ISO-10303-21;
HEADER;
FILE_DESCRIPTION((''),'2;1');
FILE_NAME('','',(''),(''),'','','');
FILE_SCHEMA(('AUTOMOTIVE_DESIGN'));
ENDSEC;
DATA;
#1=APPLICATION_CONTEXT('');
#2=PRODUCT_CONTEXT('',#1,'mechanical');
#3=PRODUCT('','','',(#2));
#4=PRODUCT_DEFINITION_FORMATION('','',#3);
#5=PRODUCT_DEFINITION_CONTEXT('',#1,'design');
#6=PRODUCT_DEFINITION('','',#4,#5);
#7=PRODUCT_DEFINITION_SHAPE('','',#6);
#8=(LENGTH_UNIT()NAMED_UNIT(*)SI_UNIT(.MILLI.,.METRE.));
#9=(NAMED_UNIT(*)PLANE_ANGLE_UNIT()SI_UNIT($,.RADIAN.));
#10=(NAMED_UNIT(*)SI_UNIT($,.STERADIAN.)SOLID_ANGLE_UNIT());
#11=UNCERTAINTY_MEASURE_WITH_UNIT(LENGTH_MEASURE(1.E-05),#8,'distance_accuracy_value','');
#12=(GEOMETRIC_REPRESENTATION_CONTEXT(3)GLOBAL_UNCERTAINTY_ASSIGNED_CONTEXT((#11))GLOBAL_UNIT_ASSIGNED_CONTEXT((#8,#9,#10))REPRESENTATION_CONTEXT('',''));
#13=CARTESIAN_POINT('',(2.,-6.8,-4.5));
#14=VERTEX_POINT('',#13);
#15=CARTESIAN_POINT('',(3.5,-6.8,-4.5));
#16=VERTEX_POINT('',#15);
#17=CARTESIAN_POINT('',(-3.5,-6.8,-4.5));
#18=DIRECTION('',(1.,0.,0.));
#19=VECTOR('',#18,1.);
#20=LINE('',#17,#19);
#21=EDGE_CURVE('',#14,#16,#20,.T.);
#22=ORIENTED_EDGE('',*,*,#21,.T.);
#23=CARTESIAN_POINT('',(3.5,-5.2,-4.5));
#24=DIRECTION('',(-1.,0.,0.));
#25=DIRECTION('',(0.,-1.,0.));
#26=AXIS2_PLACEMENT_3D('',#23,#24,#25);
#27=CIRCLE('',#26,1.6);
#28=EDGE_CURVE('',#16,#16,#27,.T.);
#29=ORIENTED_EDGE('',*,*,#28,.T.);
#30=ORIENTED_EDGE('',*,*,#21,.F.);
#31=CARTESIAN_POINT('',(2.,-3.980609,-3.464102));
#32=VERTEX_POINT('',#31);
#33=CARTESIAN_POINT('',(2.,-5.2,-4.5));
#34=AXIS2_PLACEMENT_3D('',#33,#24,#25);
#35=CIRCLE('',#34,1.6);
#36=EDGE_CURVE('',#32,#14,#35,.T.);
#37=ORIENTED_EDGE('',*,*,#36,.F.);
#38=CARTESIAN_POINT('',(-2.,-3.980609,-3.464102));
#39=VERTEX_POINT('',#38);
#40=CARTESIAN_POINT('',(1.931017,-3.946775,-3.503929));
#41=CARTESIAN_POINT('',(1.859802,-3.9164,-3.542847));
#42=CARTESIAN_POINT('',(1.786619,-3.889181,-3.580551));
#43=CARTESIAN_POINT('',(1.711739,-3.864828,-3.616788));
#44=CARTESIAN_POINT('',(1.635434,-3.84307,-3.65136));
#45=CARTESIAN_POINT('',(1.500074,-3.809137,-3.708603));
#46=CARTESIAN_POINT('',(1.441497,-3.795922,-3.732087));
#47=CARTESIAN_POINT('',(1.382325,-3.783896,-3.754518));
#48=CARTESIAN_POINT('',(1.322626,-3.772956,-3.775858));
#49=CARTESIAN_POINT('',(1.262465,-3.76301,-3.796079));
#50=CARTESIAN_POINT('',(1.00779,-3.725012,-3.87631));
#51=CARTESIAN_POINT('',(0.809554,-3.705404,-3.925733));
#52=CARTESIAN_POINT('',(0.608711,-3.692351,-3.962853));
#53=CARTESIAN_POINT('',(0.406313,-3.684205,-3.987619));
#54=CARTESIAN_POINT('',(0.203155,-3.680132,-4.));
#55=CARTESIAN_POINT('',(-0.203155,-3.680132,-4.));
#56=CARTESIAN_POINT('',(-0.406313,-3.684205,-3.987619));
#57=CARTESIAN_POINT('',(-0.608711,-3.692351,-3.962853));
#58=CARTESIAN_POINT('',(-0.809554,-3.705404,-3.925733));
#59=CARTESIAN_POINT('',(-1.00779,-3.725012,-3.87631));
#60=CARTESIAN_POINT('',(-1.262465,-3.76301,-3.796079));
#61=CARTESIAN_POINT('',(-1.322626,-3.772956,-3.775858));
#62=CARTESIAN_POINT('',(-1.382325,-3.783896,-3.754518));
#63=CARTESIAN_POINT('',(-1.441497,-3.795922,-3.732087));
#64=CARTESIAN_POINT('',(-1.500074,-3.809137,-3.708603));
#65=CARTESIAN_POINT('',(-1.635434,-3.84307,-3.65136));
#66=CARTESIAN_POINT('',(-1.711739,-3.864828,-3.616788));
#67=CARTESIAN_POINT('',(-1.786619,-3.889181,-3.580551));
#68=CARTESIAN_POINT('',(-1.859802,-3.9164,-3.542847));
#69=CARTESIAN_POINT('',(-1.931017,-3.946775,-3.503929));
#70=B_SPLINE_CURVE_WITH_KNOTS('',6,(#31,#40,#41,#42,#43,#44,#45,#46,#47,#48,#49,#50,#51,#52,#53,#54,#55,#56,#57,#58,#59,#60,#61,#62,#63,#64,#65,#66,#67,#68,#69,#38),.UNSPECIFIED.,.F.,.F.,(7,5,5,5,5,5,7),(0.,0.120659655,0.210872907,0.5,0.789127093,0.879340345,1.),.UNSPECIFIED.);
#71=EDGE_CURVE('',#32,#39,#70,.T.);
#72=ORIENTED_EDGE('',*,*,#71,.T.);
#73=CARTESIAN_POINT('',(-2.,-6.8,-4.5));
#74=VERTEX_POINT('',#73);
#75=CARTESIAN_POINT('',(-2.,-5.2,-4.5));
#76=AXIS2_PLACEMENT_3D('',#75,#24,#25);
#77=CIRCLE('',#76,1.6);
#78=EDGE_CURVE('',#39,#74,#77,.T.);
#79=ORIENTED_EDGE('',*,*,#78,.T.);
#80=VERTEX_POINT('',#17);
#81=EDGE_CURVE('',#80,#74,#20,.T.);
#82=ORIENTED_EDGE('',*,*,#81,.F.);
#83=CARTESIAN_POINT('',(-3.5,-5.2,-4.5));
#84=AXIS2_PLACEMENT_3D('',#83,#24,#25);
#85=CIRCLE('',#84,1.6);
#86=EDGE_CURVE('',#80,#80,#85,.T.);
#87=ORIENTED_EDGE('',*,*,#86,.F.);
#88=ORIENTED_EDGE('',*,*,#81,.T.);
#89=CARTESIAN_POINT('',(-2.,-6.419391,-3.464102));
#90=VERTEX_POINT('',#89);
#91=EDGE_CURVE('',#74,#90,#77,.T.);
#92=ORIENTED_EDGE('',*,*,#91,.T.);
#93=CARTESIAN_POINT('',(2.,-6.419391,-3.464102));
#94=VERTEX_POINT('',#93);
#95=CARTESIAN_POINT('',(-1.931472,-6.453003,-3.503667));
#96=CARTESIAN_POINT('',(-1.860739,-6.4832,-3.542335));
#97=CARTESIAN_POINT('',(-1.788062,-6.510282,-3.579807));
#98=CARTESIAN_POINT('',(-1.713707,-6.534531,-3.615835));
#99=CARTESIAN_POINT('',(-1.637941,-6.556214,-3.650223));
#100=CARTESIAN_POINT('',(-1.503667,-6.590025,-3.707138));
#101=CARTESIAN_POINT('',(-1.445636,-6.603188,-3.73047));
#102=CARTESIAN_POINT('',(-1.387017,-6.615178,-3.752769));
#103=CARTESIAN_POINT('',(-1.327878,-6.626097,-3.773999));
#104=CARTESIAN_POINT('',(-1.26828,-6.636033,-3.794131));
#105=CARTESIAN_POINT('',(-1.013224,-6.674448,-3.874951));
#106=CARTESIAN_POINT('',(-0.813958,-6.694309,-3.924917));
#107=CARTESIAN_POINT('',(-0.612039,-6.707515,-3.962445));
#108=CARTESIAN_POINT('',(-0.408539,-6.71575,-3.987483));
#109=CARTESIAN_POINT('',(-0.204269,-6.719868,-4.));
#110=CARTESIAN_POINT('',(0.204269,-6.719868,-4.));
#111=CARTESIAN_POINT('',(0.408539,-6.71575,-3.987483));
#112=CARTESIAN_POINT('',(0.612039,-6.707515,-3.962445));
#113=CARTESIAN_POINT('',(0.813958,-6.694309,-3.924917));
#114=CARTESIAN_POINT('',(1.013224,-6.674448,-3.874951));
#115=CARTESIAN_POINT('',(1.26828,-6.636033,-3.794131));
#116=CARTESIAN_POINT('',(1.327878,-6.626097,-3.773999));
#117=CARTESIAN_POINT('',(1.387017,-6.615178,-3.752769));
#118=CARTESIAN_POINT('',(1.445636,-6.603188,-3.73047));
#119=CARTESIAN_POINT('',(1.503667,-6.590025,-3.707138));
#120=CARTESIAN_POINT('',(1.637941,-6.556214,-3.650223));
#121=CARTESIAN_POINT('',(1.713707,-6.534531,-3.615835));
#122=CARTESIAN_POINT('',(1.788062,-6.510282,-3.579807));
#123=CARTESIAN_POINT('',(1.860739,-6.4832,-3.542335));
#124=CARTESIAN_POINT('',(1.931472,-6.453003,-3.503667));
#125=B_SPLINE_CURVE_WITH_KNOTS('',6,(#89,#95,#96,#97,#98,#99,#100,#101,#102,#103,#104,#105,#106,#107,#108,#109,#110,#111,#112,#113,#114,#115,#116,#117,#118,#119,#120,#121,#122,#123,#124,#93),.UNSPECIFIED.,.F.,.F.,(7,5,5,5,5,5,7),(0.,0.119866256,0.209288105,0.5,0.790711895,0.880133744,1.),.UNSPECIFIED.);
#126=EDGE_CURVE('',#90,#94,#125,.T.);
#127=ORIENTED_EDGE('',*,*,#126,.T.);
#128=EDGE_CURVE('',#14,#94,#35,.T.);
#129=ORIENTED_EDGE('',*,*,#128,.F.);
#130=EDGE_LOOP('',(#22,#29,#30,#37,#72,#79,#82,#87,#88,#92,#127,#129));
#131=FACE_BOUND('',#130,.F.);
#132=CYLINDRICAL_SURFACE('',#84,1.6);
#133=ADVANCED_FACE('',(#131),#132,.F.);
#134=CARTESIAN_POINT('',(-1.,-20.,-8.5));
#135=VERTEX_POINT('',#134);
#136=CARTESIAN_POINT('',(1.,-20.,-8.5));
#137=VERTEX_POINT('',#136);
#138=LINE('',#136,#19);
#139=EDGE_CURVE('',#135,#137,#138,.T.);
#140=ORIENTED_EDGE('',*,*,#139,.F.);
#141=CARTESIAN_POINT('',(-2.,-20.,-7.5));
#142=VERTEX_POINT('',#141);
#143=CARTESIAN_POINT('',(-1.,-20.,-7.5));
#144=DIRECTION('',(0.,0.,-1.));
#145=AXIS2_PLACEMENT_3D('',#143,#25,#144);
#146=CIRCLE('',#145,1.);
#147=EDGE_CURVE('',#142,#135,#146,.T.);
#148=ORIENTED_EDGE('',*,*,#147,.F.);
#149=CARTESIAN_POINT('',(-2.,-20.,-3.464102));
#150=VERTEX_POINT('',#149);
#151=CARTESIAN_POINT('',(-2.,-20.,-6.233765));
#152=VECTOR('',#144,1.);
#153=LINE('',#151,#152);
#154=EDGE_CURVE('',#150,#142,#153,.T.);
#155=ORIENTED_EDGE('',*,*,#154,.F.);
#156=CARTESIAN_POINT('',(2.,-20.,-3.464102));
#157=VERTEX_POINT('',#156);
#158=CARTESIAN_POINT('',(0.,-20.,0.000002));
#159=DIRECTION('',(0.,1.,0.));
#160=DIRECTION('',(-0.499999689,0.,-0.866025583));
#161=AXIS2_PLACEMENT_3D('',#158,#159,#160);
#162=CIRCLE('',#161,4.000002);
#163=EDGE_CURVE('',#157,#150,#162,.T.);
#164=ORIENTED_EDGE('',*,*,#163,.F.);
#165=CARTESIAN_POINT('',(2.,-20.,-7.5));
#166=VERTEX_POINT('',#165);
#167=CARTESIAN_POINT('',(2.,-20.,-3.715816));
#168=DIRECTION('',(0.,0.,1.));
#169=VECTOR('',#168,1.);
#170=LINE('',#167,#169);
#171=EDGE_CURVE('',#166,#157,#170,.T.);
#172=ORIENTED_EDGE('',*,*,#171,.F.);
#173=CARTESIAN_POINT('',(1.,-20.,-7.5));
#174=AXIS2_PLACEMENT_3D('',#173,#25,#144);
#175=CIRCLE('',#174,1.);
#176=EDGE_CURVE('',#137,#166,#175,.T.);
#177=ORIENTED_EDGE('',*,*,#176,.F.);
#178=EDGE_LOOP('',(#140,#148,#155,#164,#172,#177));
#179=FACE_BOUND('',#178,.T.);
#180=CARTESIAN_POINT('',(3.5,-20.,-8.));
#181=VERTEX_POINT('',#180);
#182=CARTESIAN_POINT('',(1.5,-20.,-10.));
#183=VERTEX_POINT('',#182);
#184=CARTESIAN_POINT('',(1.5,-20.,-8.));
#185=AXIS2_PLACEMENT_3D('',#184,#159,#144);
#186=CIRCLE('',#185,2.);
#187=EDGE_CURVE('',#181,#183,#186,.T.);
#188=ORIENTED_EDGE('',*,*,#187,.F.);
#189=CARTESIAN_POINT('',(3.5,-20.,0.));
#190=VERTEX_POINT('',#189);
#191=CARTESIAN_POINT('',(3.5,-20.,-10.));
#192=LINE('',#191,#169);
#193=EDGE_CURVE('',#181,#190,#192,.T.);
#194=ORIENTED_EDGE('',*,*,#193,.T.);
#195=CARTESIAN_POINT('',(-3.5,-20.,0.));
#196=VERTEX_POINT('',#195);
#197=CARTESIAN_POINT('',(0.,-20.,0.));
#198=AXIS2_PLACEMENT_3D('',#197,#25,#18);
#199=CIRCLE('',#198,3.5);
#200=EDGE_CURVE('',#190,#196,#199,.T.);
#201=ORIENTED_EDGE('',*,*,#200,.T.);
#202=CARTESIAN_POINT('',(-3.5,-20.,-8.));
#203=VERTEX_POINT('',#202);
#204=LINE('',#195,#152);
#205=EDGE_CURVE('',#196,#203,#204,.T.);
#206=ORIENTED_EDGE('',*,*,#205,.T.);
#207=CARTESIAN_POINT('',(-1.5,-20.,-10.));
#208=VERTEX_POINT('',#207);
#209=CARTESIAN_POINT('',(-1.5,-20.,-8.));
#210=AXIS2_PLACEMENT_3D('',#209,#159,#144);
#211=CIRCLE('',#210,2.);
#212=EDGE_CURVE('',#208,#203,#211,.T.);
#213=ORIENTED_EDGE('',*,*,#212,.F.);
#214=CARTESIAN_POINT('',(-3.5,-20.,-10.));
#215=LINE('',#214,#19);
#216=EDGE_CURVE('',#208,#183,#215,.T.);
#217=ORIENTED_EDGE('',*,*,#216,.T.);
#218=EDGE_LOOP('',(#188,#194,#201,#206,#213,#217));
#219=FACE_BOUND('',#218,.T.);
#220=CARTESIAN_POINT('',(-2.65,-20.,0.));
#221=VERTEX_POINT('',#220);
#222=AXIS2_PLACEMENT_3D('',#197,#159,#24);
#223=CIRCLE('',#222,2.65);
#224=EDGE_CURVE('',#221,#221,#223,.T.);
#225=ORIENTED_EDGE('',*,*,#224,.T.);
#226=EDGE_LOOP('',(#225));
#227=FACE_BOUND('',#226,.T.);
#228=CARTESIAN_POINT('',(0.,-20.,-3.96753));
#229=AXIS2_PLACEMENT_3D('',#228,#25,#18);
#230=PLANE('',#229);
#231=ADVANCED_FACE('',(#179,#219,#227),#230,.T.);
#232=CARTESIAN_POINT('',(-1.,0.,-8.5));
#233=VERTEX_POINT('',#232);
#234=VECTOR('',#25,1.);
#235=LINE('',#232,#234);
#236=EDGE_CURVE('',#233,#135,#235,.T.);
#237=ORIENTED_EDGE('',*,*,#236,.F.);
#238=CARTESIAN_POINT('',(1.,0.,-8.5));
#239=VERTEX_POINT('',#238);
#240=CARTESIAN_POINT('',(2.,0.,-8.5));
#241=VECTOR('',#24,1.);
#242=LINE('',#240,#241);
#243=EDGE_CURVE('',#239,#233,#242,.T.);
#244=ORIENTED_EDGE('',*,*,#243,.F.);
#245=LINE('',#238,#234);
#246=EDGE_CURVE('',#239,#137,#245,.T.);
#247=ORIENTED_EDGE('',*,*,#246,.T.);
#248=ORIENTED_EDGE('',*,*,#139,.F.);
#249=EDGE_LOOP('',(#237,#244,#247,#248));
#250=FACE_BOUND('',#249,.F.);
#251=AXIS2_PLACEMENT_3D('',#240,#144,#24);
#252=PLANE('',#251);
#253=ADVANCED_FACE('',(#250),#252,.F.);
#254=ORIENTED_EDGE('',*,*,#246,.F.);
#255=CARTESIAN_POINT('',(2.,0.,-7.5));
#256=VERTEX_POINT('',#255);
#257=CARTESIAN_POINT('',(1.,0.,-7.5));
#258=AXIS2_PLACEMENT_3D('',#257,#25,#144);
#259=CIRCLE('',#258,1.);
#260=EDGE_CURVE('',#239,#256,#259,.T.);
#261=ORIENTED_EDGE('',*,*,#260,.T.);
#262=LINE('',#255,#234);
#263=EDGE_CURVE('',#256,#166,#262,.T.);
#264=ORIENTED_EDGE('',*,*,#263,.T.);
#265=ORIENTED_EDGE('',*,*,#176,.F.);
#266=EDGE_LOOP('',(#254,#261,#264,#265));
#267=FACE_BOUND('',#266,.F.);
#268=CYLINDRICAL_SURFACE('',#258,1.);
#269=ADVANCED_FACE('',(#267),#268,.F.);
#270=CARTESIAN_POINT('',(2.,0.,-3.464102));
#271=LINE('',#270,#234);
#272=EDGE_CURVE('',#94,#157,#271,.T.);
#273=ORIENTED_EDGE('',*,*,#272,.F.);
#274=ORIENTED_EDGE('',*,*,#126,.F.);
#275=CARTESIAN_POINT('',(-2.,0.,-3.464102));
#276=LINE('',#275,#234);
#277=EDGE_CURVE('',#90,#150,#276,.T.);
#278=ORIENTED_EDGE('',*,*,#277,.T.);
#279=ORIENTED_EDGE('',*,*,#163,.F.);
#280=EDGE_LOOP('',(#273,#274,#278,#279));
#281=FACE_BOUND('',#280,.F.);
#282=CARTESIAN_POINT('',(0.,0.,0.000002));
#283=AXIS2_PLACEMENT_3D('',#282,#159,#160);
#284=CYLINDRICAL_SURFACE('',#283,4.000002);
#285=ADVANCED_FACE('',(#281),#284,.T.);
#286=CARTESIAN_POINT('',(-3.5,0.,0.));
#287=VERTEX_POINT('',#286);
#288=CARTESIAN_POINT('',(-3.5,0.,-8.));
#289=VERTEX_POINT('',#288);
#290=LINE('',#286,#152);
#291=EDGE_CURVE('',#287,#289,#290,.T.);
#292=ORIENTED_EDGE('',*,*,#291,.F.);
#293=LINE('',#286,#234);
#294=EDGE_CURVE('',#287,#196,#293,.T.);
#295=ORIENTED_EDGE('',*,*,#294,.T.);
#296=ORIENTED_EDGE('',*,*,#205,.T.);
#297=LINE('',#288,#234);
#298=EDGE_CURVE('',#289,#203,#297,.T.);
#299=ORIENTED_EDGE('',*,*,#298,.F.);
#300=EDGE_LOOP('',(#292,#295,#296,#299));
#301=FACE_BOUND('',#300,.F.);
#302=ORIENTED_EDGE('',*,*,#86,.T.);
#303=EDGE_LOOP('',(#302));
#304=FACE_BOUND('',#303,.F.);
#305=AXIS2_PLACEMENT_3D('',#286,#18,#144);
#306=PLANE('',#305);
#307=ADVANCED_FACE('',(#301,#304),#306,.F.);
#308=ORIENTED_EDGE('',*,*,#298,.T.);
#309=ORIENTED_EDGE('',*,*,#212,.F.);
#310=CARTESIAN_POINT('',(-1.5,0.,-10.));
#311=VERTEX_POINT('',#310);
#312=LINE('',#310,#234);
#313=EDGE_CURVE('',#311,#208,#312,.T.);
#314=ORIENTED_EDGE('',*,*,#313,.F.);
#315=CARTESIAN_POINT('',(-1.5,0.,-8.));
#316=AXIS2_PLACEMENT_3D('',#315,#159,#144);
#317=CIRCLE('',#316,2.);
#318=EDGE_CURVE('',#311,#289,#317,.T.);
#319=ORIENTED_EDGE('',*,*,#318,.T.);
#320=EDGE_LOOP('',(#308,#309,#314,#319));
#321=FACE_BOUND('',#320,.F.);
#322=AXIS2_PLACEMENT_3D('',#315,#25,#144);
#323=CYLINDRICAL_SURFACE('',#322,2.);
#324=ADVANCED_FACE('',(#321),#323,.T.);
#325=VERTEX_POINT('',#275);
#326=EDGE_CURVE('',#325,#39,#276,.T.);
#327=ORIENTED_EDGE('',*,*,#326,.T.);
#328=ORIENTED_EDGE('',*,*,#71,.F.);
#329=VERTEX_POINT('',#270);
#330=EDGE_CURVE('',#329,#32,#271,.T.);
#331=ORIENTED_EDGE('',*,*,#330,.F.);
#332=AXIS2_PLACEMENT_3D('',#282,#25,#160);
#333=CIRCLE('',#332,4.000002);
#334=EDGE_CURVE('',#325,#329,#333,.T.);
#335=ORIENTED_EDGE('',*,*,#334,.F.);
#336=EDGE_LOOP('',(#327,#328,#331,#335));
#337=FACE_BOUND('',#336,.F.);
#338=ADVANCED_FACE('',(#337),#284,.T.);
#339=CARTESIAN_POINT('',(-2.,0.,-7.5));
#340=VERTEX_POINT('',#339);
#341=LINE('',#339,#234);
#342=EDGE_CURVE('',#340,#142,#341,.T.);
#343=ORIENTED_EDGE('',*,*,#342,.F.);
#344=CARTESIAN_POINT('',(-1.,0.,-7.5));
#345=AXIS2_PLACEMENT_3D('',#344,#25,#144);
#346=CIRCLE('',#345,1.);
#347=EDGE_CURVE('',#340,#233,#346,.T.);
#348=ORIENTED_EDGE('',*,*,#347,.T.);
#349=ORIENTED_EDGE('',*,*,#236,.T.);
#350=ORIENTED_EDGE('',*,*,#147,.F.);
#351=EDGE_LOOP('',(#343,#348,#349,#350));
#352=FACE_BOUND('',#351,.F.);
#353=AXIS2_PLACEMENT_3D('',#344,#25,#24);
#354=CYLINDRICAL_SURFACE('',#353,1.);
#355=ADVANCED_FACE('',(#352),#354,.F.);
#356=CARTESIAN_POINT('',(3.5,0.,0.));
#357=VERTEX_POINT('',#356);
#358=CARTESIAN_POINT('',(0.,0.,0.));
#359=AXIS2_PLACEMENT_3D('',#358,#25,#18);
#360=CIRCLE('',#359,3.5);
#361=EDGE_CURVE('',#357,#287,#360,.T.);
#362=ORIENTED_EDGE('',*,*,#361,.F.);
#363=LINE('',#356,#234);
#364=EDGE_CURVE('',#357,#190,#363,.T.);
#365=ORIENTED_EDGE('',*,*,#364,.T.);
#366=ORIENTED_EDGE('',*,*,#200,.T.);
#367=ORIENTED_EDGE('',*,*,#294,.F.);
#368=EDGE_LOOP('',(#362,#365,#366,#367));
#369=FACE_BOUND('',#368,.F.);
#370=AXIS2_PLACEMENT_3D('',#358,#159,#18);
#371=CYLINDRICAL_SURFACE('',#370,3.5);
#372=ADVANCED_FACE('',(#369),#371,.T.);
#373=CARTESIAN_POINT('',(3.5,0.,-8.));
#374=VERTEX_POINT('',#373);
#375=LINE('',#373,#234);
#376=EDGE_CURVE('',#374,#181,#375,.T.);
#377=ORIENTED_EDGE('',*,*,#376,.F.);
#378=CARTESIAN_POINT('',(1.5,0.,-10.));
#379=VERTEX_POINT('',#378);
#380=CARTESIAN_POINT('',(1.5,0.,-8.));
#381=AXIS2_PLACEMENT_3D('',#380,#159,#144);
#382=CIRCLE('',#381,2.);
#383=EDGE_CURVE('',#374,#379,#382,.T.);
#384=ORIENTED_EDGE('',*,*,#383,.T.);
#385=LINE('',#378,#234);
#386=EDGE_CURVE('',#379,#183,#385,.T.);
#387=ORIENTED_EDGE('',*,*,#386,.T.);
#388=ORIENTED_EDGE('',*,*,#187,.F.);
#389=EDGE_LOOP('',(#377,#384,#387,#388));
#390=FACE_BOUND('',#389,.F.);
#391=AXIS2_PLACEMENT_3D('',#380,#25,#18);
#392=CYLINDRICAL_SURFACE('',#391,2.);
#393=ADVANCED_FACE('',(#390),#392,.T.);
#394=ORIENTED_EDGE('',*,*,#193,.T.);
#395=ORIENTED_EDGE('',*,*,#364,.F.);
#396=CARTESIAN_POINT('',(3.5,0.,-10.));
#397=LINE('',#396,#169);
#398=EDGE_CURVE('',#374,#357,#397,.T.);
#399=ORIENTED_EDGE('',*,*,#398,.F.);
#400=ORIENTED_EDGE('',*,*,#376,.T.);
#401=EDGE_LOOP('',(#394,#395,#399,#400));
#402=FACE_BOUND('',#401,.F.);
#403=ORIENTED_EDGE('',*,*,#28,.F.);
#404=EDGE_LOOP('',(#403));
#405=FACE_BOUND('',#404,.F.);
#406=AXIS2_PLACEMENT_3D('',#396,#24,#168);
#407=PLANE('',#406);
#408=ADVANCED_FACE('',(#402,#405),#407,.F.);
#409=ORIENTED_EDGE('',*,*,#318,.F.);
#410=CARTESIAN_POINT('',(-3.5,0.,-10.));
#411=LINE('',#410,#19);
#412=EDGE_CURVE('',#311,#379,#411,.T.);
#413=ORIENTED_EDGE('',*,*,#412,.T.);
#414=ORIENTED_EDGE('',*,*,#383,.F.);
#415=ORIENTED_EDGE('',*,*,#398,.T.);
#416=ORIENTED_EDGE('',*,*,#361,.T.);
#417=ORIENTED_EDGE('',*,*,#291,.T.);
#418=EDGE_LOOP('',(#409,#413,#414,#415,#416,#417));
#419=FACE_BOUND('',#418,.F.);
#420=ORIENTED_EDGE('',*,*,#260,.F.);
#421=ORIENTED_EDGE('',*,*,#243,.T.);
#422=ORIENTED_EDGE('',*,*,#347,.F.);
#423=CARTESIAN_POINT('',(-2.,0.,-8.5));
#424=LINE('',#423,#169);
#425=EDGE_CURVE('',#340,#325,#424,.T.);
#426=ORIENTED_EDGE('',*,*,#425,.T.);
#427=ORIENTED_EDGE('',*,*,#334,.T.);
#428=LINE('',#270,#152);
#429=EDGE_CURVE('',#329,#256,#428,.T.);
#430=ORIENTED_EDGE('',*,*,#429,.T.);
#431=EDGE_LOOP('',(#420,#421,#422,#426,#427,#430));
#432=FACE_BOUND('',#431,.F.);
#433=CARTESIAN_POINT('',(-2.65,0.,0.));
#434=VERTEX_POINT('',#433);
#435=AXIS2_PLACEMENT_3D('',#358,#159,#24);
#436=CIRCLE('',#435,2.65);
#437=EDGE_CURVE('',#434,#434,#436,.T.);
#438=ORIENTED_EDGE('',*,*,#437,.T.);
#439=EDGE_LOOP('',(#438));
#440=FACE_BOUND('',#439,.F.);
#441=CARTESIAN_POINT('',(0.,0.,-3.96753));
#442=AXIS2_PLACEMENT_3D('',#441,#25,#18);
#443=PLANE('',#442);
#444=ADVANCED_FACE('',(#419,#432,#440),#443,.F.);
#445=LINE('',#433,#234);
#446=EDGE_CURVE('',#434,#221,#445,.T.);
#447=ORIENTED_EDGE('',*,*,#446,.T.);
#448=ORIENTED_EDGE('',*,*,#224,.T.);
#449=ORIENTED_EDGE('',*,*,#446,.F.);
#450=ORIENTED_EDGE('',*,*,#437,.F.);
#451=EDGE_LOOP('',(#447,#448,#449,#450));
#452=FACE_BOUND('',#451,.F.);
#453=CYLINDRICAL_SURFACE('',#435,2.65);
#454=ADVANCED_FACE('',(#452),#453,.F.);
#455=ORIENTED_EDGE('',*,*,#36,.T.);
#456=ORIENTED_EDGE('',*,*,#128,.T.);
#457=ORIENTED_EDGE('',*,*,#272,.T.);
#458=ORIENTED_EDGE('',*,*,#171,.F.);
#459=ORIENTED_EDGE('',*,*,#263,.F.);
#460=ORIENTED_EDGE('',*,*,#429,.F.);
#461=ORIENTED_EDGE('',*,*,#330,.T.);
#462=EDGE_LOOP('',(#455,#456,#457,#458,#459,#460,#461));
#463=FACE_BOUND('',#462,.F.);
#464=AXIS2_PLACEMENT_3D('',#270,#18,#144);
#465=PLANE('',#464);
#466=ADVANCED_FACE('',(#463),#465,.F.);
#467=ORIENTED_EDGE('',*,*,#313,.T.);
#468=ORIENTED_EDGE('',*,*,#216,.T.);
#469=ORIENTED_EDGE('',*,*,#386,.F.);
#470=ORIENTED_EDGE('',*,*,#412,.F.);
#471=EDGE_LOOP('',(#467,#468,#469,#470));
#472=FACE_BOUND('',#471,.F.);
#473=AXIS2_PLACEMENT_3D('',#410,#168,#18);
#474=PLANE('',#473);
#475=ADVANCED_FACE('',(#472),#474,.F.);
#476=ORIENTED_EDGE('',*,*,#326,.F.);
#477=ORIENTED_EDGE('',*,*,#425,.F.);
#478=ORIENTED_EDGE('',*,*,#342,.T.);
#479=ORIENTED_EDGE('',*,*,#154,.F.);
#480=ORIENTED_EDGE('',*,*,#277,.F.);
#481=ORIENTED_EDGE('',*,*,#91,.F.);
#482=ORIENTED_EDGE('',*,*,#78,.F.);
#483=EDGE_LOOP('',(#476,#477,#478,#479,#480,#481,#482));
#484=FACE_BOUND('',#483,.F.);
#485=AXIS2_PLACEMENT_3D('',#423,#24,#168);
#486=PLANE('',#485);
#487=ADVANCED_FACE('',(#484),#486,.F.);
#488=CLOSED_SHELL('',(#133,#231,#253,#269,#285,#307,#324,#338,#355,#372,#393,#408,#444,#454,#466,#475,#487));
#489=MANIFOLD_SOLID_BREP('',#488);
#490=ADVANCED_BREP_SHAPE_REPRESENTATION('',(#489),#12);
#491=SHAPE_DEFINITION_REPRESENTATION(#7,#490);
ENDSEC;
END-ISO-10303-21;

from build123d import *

# Parameters (mm, degrees)
F1_DEPTH = 20
F2_R     = 2.65
F3_DEPTH = 20.001
F4_R     = 1.6
F5_DEPTH = 7.001
F6_R     = 2
F7_R     = 1


with BuildPart() as f1:
    # F0 (on Front) → F1 (new body)
    with BuildSketch(Plane.XZ):
        with BuildLine():
            Line((3.5, -10), (3.5, 0))
            ThreePointArc((3.5, 0), (0, 3.5), (-3.5, 0))
            Line((-3.5, 0), (-3.5, -10))
            Line((-3.5, -10), (3.5, -10))
        make_face()
    extrude(amount=F1_DEPTH)

    # F2 (on face) → F3 (cut, through all)
    with BuildSketch(Plane(origin=(0, 0, 0), x_dir=(-1, 0, 0), z_dir=(0, 1, 0))):
        Circle(F2_R)
        with BuildLine():
            ThreePointArc((2, -3.464102), (0, -4), (-2, -3.464102))
            Line((-2, -3.464102), (-2, -8.5))
            Line((-2, -8.5), (2, -8.5))
            Line((2, -8.5), (2, -3.464102))
        make_face()
    extrude(amount=-F3_DEPTH, mode=Mode.SUBTRACT)

    # F4 (on face) → F5 (cut, through all)
    with BuildSketch(Plane(origin=(-3.5, 0, 0), x_dir=(0, -1, 0), z_dir=(-1, 0, 0))):
        with Locations((5.2, -4.5)):
            Circle(F4_R)
    extrude(amount=-F5_DEPTH, mode=Mode.SUBTRACT)

    # F6
    f6_edges = [f1.edges().sort_by_distance(p)[0] for p in [
        (-3.5, -10, -10),
        (3.5, -10, -10),
    ]]
    fillet(f6_edges, radius=F6_R)

    # F7
    f7_edges = [f1.edges().sort_by_distance(p)[0] for p in [
        (2, -10, -8.5),
        (-2, -10, -8.5),
    ]]
    fillet(f7_edges, radius=F7_R)


solid = f1.part
